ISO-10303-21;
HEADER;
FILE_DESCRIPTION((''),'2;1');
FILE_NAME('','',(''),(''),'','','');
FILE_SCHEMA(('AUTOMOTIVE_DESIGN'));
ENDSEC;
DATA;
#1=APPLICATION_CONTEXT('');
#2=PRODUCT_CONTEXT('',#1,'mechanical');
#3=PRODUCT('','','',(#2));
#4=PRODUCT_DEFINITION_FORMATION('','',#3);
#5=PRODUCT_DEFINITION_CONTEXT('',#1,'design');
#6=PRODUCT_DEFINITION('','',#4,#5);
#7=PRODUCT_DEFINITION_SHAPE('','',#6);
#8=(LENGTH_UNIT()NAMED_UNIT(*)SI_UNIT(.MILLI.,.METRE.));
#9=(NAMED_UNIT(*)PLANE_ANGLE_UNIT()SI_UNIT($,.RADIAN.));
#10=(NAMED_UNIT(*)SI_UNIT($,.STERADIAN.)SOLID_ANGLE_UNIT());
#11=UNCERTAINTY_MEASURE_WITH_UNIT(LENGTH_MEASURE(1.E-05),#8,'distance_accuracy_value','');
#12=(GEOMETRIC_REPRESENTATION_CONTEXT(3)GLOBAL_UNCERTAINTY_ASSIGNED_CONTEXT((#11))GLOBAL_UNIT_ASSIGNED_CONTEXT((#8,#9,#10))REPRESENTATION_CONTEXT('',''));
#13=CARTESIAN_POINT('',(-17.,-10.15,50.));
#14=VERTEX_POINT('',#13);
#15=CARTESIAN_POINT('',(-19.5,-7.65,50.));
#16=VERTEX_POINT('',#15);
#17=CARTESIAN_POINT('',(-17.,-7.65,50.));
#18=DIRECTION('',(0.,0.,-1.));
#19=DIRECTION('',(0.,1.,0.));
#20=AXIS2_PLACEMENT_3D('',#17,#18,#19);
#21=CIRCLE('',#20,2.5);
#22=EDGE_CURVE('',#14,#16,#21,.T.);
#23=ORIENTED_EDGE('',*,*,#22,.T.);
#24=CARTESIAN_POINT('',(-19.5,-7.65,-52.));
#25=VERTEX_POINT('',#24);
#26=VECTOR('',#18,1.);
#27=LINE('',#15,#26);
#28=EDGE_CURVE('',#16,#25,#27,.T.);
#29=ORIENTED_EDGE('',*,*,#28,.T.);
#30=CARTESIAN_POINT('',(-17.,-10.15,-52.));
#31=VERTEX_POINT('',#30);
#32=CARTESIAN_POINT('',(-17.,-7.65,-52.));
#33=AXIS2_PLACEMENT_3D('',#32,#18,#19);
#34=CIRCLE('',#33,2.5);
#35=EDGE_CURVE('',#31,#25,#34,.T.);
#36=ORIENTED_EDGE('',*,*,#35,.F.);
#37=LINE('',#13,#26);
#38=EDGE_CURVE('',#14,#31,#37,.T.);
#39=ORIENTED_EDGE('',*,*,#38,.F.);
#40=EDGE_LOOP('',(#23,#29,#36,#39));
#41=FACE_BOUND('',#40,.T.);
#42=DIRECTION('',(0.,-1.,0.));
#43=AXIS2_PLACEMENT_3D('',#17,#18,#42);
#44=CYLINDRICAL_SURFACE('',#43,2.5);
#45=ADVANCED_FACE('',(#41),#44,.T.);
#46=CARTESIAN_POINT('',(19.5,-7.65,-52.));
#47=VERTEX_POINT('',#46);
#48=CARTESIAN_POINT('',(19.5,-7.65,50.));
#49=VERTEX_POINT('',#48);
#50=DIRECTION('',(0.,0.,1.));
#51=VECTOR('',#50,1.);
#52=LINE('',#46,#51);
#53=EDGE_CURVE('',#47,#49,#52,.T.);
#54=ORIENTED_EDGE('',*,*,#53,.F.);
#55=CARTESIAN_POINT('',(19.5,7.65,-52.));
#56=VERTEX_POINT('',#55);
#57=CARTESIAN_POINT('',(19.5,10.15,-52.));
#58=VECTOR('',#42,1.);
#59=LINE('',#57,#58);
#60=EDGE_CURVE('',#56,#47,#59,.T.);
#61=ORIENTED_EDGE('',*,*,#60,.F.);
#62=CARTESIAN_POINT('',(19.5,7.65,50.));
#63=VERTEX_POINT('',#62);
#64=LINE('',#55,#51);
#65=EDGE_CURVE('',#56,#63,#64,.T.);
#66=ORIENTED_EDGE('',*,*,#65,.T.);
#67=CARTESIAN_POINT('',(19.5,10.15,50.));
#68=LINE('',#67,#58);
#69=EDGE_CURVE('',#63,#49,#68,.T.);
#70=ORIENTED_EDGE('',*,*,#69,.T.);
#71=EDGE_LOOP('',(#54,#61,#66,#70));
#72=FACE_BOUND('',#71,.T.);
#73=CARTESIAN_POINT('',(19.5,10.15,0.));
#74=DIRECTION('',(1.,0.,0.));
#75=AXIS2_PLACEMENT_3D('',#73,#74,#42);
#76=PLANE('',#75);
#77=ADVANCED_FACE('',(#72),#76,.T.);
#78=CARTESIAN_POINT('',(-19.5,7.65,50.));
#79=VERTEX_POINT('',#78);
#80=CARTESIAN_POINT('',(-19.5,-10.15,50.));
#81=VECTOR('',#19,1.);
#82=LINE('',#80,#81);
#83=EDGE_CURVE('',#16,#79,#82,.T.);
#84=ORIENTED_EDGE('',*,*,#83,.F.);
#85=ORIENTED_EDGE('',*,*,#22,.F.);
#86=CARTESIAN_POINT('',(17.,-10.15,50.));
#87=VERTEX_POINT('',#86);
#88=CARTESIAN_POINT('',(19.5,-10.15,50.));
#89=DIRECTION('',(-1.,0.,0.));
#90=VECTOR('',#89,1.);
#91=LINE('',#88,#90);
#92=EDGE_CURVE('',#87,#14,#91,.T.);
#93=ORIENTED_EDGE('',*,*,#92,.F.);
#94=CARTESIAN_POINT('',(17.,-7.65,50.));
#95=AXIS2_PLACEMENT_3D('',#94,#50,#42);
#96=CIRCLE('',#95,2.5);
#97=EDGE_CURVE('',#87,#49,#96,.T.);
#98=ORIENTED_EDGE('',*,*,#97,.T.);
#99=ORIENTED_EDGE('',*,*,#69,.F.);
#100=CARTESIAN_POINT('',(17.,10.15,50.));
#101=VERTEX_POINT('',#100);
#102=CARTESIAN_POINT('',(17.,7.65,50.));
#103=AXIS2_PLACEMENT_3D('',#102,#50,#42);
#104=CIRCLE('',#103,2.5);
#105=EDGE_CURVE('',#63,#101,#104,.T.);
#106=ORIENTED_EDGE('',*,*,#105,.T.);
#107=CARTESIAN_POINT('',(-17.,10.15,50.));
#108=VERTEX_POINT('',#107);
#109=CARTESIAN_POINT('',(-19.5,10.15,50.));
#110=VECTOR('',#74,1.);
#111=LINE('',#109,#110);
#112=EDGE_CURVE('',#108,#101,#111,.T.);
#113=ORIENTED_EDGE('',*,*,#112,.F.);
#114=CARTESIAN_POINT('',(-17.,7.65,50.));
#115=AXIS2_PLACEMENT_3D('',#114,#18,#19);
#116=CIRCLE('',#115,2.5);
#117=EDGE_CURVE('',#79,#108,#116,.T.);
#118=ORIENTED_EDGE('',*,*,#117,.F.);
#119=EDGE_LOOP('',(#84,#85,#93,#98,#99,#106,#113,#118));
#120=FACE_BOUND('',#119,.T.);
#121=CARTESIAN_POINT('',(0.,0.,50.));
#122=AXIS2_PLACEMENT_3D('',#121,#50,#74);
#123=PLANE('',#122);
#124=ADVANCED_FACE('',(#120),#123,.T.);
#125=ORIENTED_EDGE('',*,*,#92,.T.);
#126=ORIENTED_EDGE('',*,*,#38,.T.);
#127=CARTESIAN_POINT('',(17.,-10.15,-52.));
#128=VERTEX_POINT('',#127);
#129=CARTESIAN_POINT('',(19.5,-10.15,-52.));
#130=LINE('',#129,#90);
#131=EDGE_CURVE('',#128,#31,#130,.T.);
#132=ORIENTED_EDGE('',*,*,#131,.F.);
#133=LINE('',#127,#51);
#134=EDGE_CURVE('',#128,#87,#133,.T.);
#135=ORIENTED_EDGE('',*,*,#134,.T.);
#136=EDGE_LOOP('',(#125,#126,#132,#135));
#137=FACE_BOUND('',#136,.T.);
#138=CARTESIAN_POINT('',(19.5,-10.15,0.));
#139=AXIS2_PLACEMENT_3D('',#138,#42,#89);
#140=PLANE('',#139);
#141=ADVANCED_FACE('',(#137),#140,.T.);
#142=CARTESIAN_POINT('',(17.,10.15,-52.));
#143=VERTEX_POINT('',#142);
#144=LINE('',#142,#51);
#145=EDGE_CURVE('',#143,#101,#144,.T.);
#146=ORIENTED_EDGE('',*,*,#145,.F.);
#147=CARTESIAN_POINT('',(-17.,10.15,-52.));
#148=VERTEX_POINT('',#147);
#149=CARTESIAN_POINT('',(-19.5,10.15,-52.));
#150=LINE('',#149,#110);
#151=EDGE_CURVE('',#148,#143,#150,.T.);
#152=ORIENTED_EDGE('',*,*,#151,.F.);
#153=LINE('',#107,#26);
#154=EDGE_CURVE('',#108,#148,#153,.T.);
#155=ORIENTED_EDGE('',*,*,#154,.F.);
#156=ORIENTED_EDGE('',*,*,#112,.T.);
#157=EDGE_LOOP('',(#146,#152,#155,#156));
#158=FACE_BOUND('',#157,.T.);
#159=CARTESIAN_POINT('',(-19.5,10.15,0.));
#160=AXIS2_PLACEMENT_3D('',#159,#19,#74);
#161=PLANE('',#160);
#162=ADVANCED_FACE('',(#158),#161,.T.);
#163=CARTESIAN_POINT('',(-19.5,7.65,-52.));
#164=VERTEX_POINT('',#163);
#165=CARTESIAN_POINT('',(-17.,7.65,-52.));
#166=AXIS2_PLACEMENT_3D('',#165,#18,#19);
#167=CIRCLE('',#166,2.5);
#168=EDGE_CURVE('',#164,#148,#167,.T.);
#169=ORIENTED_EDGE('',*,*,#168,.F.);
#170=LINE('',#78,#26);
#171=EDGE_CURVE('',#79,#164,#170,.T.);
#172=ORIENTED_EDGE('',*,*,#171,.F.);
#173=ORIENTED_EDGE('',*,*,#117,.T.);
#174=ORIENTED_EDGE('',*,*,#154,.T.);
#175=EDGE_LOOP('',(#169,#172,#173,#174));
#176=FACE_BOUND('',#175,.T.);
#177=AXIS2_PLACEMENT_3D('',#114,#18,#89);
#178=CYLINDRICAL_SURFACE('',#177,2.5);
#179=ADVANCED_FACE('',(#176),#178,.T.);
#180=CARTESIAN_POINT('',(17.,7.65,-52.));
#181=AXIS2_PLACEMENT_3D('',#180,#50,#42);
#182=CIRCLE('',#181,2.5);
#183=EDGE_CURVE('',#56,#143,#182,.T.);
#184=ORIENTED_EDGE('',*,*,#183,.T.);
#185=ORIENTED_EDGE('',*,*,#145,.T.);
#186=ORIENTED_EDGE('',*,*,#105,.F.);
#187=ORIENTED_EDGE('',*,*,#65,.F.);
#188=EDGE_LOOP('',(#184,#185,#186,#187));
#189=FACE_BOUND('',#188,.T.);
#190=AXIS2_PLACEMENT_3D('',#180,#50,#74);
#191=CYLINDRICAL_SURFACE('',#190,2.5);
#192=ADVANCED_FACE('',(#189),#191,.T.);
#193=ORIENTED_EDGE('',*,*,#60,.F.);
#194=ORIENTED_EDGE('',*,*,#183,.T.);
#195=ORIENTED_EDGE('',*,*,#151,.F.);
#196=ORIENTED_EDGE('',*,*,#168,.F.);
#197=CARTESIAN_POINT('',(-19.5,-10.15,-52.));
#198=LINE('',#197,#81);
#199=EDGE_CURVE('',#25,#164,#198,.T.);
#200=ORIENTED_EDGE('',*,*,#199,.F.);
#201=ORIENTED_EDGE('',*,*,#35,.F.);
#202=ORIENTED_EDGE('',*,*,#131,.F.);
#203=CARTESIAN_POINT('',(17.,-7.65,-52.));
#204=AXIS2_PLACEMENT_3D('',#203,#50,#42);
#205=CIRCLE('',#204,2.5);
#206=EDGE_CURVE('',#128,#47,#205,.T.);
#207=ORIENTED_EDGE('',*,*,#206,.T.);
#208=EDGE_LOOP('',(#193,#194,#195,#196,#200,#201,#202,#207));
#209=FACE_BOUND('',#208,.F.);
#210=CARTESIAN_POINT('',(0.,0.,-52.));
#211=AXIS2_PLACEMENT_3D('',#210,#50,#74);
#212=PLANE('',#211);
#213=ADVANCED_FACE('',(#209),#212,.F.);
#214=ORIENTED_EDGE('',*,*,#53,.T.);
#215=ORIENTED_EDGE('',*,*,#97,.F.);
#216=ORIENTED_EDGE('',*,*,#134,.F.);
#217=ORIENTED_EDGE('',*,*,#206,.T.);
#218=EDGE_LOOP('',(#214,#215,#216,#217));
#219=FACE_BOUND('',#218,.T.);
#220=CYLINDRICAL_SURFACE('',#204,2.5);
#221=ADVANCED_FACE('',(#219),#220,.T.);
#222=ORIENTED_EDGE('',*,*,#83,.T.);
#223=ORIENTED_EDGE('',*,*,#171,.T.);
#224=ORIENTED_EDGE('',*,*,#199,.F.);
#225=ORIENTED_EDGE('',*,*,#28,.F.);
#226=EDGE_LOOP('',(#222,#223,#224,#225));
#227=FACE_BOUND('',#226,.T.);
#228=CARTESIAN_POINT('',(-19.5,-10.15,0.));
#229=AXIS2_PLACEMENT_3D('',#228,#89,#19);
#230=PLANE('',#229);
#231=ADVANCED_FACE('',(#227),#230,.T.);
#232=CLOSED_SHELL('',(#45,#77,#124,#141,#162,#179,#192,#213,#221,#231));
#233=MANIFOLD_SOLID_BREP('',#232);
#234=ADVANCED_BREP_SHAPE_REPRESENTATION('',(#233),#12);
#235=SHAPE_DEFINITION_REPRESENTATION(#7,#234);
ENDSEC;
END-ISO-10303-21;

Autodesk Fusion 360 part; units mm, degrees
sketch "Sketch1" plane through (0, 0, 0) normal (0, 0, 1) x (1, 0, 0)
  line L0 (-18, -11) -> (18, -11)
  arc A0 (18, -11) -> (18, 11) centre (18, 0) ccw
  line L1 (18, 11) -> (-18, 11)
  arc A1 (-18, 11) -> (-18, -11) centre (-18, 0) ccw
  line L2 (-29, 0) -> (29, 0) construction
  line L3 (19.5, -10.15) -> (-19.5, -10.15)
  line L4 (-19.5, -10.15) -> (-19.5, 10.15)
  line L5 (-19.5, 10.15) -> (19.5, 10.15)
  line L6 (19.5, 10.15) -> (19.5, -10.15)
  line L7 (19.5, -10.15) -> (-19.5, 10.15) construction
  line L8 (-19.5, -10.15) -> (19.5, 10.15) construction
  dimension "d5" = 58
  dimension "d6" = 22
  dimension "d7" = 20.3
  dimension "d8" = 39
extrude "Extrude1" add sketch "Sketch1" along normal blind 50 and the other way blind 52 contours L3 L4 L5 L6
fillet "Fillet1" radius 2.5 4 edges at (19.5, -10.15, -1) (-19.5, -10.15, -1) (19.5, 10.15, -1) (-19.5, 10.15, -1)
